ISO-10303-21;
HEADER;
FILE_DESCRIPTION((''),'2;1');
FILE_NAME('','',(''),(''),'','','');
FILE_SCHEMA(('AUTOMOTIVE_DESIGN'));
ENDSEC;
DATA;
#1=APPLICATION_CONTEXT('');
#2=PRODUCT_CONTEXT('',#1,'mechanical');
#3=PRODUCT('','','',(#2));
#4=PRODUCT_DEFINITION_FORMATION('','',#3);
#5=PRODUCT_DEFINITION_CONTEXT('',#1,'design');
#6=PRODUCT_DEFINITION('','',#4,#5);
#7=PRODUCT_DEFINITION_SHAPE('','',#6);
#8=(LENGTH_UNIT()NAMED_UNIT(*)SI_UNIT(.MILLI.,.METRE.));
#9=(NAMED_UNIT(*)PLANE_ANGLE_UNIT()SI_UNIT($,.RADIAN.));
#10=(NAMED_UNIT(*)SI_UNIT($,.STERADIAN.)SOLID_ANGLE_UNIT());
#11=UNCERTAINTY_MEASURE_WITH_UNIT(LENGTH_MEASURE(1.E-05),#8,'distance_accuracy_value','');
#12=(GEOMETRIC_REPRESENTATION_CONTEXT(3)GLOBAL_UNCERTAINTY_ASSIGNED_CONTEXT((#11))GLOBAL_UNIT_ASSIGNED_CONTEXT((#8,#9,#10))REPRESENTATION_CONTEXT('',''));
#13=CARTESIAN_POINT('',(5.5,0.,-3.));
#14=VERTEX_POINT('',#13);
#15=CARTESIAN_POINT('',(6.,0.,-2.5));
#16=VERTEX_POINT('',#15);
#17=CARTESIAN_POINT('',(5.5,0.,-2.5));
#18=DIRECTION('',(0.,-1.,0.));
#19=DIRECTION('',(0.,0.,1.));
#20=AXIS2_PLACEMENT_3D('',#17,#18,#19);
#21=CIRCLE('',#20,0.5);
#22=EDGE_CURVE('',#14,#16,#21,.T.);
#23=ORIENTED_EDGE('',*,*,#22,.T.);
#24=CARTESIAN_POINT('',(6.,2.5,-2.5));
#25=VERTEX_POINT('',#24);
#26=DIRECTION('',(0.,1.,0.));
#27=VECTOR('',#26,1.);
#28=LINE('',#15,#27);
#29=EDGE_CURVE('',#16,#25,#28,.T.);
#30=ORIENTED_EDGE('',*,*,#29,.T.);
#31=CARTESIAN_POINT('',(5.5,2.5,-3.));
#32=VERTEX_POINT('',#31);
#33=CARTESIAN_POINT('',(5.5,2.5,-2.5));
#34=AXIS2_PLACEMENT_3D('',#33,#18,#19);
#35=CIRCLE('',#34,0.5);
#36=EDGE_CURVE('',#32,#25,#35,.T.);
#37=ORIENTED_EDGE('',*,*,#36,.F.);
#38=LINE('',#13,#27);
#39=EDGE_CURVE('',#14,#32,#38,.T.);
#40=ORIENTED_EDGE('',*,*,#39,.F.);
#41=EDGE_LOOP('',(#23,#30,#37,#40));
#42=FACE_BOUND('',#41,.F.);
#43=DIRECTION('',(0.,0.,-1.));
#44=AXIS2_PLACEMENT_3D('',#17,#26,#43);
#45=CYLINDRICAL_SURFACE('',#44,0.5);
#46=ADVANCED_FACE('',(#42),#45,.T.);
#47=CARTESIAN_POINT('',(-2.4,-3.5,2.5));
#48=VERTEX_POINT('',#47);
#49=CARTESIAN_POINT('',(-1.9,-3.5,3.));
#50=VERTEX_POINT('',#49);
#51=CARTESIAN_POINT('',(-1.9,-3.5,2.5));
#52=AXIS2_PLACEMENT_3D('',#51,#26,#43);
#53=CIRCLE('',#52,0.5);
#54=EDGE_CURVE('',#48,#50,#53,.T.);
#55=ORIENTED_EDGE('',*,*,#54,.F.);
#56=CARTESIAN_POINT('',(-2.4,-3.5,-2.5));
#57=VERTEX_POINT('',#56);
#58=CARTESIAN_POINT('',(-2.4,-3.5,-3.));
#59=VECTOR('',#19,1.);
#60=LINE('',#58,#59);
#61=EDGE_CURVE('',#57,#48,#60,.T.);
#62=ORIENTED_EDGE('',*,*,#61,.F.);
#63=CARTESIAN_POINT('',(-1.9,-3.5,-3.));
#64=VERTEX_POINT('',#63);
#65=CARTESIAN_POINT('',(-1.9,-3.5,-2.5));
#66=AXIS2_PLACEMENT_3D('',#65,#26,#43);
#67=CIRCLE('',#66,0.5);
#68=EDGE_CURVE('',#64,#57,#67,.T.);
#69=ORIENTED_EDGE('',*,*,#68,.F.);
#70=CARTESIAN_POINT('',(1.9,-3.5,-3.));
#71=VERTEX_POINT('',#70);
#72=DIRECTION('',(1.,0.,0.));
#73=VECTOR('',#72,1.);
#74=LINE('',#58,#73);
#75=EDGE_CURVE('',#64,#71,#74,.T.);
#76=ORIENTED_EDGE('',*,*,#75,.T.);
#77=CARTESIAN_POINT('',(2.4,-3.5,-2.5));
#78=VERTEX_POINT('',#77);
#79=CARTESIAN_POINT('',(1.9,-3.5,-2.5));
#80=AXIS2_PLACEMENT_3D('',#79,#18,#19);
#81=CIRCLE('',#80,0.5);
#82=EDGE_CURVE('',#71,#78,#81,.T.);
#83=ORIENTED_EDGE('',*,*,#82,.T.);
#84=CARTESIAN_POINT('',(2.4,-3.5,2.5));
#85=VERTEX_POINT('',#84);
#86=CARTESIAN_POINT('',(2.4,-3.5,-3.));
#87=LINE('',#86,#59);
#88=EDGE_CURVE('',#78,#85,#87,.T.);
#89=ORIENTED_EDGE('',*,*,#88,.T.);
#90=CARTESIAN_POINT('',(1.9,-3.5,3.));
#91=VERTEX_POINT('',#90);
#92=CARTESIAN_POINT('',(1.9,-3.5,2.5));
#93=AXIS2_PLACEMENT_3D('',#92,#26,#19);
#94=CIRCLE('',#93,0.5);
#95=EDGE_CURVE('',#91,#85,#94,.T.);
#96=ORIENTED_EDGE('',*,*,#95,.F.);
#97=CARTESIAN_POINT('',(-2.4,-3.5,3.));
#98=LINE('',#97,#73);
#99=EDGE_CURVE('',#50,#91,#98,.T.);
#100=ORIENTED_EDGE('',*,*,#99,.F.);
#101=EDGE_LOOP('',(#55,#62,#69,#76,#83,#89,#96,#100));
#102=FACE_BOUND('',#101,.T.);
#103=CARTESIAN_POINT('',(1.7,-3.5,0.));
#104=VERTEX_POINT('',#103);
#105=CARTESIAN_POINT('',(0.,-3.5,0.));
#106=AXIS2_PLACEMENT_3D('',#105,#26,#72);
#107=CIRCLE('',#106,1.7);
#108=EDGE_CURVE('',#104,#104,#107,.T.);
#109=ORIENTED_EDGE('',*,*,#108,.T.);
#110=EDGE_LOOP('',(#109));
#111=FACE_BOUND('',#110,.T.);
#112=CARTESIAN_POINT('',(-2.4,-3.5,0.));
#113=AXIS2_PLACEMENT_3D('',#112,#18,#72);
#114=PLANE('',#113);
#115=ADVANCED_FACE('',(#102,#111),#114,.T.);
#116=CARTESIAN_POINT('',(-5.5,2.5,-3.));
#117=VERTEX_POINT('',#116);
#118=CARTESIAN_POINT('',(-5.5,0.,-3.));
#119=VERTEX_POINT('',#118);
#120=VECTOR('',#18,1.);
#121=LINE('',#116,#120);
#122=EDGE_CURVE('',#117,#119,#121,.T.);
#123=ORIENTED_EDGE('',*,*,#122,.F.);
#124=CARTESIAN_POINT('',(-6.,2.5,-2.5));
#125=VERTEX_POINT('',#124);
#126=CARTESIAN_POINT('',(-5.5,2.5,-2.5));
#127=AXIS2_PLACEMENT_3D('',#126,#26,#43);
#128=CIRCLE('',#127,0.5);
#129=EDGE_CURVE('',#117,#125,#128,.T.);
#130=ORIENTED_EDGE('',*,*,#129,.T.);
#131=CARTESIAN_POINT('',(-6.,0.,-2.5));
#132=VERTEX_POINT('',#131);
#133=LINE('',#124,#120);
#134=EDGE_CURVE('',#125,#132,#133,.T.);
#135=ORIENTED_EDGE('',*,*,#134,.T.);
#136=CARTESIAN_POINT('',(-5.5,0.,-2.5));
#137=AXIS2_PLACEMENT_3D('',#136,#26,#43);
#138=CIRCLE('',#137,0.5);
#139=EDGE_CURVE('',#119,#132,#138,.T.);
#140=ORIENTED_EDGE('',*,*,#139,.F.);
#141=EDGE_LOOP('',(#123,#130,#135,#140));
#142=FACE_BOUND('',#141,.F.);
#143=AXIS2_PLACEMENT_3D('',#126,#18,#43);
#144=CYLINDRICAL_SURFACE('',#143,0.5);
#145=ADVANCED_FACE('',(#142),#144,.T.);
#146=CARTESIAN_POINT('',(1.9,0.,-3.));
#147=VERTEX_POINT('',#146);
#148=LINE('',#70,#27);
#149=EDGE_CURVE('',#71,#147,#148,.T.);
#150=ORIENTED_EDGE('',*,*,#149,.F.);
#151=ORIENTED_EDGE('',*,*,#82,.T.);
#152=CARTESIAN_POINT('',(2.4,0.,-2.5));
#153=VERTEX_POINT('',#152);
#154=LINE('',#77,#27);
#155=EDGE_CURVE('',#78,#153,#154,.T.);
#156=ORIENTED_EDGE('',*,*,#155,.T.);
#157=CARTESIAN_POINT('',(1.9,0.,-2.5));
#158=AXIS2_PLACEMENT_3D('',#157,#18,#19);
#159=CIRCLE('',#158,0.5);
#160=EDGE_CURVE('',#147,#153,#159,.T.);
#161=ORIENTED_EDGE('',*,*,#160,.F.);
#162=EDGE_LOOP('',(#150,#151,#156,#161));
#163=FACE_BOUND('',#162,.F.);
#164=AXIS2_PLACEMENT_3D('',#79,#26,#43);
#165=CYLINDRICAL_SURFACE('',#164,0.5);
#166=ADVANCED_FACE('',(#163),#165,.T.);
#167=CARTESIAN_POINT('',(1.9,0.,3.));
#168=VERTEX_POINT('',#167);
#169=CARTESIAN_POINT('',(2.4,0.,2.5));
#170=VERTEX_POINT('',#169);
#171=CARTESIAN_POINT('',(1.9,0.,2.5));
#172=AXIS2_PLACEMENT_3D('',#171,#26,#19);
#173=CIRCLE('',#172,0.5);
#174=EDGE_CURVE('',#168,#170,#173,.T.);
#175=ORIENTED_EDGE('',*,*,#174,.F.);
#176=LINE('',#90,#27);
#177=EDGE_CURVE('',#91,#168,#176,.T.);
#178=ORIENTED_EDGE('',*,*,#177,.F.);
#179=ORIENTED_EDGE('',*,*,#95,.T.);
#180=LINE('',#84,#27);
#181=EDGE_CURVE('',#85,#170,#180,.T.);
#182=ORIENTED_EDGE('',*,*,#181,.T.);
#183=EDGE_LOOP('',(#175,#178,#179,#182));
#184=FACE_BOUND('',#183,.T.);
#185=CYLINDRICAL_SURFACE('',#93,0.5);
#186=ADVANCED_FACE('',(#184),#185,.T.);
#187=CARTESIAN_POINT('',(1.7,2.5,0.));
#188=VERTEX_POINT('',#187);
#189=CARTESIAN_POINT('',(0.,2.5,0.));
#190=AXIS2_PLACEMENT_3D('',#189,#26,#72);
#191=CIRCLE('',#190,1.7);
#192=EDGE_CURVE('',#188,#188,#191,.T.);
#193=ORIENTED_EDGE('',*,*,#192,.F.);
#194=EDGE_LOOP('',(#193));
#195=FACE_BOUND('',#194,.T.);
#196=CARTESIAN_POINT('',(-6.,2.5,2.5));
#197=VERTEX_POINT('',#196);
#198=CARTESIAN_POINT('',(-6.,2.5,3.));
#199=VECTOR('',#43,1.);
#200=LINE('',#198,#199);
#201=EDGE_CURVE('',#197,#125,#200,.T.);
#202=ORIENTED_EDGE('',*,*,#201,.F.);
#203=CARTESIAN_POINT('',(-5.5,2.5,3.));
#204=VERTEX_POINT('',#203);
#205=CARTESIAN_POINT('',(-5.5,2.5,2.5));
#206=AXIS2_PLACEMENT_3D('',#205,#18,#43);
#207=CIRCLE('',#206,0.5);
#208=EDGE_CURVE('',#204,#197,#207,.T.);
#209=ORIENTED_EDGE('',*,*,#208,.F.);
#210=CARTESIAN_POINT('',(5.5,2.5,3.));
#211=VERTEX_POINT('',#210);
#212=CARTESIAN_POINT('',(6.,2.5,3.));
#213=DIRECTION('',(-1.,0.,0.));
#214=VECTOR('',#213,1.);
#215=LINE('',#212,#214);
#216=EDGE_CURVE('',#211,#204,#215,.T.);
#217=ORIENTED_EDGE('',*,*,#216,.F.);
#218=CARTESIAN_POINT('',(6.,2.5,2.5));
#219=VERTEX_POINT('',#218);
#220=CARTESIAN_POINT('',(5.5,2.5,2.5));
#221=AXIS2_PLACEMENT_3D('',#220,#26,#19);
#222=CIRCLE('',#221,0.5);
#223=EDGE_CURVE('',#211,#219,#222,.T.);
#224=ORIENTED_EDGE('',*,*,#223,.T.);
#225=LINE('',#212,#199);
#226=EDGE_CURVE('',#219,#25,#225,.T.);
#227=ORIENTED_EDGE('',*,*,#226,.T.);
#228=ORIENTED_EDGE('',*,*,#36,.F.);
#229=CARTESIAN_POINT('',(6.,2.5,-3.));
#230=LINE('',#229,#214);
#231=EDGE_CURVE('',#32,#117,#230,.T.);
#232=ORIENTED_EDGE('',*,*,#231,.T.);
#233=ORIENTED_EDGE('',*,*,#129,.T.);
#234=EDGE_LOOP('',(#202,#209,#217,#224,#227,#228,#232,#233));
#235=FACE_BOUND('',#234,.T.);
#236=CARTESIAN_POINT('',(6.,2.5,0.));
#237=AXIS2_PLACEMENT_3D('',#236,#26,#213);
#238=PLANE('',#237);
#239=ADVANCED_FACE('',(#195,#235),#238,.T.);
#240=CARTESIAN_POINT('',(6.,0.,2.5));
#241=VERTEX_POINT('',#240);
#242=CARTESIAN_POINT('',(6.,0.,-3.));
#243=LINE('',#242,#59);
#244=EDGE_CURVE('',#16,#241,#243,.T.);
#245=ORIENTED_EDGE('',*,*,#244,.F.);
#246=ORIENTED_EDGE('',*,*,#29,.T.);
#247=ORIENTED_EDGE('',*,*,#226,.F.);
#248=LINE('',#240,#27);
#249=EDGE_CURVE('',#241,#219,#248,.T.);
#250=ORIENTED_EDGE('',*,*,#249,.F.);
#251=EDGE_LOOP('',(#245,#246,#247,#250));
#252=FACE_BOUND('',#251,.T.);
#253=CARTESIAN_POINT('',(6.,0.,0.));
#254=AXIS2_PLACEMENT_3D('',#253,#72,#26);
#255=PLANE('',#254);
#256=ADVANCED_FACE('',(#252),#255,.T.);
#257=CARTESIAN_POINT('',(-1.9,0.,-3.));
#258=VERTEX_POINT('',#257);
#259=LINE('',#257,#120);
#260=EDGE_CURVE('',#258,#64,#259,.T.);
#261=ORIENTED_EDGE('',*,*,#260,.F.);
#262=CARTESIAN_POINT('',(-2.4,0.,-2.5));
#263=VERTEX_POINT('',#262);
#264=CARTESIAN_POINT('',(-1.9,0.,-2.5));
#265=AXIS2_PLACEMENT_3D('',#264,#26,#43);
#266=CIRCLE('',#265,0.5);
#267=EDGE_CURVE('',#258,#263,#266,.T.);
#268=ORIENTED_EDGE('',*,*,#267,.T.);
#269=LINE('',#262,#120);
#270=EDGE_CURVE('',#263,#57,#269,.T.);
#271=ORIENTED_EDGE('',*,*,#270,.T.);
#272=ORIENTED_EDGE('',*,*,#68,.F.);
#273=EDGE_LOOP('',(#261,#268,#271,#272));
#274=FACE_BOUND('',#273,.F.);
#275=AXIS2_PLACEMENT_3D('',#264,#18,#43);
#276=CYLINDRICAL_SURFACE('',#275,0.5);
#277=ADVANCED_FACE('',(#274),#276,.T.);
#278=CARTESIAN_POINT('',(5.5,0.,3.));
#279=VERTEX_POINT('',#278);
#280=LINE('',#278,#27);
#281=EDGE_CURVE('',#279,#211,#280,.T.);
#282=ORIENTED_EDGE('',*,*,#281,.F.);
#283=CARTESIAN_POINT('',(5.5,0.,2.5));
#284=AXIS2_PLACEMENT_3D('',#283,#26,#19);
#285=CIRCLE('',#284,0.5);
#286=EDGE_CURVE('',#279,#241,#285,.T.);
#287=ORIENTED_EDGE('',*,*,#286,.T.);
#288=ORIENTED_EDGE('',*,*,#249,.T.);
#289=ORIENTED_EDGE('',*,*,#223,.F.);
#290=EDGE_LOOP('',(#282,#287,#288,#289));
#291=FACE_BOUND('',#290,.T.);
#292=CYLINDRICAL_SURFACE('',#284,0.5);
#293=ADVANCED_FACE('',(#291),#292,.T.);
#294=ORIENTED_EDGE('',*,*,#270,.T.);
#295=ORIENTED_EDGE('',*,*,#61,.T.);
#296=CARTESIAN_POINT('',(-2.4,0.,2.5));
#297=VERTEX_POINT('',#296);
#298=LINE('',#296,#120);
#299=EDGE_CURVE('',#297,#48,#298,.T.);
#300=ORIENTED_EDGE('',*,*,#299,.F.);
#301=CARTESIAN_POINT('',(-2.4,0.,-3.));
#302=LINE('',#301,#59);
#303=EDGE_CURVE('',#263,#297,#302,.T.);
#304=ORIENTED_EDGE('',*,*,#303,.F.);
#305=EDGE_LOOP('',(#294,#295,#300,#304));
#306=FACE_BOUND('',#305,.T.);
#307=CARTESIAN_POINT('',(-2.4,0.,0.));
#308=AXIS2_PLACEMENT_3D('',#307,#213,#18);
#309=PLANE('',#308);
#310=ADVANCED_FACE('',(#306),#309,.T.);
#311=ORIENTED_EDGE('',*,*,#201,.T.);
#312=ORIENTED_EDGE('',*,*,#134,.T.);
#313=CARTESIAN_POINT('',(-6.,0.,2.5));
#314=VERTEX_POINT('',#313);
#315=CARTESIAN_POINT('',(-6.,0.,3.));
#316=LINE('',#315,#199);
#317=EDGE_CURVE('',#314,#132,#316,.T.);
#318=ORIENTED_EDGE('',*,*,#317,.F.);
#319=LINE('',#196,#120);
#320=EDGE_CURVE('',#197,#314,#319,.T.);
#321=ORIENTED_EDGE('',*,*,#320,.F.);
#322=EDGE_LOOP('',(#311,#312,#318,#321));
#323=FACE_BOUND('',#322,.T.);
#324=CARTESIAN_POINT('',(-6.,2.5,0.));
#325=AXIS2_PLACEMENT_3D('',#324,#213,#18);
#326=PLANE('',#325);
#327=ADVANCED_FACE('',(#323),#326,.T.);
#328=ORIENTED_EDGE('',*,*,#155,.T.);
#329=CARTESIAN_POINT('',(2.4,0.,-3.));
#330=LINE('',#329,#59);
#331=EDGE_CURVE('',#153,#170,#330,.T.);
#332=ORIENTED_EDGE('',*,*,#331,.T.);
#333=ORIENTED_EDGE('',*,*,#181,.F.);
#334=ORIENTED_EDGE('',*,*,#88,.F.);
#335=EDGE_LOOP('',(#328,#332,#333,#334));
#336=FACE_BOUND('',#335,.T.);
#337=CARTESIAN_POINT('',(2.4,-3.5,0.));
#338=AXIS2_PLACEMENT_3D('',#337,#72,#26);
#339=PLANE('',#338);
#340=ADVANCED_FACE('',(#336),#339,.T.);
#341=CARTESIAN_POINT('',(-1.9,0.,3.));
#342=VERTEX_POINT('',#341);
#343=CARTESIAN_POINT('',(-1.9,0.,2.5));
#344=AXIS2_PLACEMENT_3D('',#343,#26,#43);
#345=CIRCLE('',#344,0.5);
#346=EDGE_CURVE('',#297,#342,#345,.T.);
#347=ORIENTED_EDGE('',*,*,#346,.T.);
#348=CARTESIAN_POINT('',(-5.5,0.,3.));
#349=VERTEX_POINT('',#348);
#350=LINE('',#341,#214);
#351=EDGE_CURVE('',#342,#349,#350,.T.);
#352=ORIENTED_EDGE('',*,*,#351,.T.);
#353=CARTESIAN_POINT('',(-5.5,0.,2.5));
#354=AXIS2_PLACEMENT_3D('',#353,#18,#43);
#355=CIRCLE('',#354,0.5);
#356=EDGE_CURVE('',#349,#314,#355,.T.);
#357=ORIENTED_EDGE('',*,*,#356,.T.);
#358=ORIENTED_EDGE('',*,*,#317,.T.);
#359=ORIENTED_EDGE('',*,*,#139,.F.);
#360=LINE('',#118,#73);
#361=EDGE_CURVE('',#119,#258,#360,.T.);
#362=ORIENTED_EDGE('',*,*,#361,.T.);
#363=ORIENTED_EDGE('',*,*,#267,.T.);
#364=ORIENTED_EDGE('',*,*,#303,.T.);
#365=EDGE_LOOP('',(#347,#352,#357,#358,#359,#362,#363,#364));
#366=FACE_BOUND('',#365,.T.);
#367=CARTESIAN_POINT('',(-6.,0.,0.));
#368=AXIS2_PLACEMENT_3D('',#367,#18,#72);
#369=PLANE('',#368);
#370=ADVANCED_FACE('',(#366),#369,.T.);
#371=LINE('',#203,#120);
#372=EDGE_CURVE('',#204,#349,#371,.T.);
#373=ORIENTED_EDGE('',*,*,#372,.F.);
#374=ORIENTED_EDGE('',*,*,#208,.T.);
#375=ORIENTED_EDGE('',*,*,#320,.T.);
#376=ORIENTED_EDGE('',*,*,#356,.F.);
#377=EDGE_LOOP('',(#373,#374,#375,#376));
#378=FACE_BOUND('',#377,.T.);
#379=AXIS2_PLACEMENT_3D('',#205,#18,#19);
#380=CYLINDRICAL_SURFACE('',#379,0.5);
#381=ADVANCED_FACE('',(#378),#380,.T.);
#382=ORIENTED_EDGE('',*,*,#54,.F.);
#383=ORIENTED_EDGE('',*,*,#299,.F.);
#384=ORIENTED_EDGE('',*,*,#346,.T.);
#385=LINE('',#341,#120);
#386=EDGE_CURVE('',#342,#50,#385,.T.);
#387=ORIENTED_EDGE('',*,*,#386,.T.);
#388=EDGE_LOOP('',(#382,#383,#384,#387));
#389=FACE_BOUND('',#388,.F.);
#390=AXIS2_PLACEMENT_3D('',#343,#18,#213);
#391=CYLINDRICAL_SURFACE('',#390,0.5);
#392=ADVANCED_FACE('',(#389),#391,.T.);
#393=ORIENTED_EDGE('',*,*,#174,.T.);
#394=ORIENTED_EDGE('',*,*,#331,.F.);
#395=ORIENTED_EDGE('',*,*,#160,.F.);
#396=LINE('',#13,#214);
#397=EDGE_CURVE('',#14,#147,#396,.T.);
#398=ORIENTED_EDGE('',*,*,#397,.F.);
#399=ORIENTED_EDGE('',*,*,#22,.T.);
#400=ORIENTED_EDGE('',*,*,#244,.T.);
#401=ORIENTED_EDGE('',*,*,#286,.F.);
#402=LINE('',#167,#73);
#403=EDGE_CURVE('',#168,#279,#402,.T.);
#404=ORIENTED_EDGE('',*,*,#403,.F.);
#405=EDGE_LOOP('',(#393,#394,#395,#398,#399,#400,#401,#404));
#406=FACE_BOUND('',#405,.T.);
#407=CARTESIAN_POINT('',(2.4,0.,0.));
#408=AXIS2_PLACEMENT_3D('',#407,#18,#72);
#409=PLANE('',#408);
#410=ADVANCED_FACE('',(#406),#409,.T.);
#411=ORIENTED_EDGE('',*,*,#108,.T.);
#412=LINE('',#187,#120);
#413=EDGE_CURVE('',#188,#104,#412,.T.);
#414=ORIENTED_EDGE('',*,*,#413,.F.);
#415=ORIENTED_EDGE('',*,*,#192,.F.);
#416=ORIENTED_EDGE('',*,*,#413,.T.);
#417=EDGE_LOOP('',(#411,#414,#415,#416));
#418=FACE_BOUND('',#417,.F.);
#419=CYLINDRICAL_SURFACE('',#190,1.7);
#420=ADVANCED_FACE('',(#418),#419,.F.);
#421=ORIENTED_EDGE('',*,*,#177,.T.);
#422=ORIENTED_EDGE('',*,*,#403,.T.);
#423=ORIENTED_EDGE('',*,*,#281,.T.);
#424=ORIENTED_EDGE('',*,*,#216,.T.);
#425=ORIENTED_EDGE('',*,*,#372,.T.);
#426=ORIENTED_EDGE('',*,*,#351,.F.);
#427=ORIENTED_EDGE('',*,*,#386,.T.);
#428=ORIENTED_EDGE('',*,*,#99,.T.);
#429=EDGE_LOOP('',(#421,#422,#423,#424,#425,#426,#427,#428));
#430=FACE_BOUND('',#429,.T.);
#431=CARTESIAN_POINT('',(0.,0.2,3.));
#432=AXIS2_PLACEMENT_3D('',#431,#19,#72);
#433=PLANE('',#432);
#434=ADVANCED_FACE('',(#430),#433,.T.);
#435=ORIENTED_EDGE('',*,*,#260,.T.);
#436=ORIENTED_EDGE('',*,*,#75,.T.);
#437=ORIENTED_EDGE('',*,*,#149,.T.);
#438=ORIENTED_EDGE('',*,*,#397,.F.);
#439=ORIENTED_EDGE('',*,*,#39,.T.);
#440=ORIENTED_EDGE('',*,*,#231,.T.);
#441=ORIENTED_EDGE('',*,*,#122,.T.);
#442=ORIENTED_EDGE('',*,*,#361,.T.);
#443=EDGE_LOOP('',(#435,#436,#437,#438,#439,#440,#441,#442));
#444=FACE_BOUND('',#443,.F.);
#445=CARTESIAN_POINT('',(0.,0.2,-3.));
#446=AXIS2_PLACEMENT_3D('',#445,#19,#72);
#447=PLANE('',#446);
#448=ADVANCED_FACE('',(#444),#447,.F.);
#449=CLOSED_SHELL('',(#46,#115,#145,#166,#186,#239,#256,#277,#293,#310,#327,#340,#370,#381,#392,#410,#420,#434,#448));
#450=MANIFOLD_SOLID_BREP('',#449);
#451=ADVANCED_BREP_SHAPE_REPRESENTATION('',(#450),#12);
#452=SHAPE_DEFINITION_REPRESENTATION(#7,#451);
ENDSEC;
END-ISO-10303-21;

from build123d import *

# Parameters (mm, degrees)
BOSS_EXTRU_1_DEPTH      = 3
ESQUISSE2_R             = 1.7
ENL_V_MAT_EXTRU_1_DEPTH = 7
CONG_2_R                = 0.5


with BuildPart() as part:
    # Esquisse1 → Boss.-Extru.1 (new body, symmetric)
    with BuildSketch(Plane.XY):
        Polygon((-6, 0), (-2.4, 0), (-2.4, -3.5), (2.4, -3.5), (2.4, 0), (6, 0), (6, 2.5), (-6, 2.5), align=None)
    extrude(amount=BOSS_EXTRU_1_DEPTH, both=True)

    # Esquisse2 → Enlèv. mat.-Extru.1 (cut, through all)
    with BuildSketch(Plane(origin=(0, 2.5, 0), x_dir=(1, 0, 0), z_dir=(0, 1, 0))):
        Circle(ESQUISSE2_R)
    extrude(amount=-ENL_V_MAT_EXTRU_1_DEPTH, mode=Mode.SUBTRACT)

    # Congé2
    cong_2_edges = [part.edges().sort_by_distance(p)[0] for p in [
        (-6, 1.25, -3),
        (6, 1.25, -3),
        (-6, 1.25, 3),
        (-2.4, -1.75, 3),
        (2.4, -1.75, 3),
        (6, 1.25, 3),
        (2.4, -1.75, -3),
        (-2.4, -1.75, -3),
    ]]
    fillet(cong_2_edges, radius=CONG_2_R)


solid = part.part
